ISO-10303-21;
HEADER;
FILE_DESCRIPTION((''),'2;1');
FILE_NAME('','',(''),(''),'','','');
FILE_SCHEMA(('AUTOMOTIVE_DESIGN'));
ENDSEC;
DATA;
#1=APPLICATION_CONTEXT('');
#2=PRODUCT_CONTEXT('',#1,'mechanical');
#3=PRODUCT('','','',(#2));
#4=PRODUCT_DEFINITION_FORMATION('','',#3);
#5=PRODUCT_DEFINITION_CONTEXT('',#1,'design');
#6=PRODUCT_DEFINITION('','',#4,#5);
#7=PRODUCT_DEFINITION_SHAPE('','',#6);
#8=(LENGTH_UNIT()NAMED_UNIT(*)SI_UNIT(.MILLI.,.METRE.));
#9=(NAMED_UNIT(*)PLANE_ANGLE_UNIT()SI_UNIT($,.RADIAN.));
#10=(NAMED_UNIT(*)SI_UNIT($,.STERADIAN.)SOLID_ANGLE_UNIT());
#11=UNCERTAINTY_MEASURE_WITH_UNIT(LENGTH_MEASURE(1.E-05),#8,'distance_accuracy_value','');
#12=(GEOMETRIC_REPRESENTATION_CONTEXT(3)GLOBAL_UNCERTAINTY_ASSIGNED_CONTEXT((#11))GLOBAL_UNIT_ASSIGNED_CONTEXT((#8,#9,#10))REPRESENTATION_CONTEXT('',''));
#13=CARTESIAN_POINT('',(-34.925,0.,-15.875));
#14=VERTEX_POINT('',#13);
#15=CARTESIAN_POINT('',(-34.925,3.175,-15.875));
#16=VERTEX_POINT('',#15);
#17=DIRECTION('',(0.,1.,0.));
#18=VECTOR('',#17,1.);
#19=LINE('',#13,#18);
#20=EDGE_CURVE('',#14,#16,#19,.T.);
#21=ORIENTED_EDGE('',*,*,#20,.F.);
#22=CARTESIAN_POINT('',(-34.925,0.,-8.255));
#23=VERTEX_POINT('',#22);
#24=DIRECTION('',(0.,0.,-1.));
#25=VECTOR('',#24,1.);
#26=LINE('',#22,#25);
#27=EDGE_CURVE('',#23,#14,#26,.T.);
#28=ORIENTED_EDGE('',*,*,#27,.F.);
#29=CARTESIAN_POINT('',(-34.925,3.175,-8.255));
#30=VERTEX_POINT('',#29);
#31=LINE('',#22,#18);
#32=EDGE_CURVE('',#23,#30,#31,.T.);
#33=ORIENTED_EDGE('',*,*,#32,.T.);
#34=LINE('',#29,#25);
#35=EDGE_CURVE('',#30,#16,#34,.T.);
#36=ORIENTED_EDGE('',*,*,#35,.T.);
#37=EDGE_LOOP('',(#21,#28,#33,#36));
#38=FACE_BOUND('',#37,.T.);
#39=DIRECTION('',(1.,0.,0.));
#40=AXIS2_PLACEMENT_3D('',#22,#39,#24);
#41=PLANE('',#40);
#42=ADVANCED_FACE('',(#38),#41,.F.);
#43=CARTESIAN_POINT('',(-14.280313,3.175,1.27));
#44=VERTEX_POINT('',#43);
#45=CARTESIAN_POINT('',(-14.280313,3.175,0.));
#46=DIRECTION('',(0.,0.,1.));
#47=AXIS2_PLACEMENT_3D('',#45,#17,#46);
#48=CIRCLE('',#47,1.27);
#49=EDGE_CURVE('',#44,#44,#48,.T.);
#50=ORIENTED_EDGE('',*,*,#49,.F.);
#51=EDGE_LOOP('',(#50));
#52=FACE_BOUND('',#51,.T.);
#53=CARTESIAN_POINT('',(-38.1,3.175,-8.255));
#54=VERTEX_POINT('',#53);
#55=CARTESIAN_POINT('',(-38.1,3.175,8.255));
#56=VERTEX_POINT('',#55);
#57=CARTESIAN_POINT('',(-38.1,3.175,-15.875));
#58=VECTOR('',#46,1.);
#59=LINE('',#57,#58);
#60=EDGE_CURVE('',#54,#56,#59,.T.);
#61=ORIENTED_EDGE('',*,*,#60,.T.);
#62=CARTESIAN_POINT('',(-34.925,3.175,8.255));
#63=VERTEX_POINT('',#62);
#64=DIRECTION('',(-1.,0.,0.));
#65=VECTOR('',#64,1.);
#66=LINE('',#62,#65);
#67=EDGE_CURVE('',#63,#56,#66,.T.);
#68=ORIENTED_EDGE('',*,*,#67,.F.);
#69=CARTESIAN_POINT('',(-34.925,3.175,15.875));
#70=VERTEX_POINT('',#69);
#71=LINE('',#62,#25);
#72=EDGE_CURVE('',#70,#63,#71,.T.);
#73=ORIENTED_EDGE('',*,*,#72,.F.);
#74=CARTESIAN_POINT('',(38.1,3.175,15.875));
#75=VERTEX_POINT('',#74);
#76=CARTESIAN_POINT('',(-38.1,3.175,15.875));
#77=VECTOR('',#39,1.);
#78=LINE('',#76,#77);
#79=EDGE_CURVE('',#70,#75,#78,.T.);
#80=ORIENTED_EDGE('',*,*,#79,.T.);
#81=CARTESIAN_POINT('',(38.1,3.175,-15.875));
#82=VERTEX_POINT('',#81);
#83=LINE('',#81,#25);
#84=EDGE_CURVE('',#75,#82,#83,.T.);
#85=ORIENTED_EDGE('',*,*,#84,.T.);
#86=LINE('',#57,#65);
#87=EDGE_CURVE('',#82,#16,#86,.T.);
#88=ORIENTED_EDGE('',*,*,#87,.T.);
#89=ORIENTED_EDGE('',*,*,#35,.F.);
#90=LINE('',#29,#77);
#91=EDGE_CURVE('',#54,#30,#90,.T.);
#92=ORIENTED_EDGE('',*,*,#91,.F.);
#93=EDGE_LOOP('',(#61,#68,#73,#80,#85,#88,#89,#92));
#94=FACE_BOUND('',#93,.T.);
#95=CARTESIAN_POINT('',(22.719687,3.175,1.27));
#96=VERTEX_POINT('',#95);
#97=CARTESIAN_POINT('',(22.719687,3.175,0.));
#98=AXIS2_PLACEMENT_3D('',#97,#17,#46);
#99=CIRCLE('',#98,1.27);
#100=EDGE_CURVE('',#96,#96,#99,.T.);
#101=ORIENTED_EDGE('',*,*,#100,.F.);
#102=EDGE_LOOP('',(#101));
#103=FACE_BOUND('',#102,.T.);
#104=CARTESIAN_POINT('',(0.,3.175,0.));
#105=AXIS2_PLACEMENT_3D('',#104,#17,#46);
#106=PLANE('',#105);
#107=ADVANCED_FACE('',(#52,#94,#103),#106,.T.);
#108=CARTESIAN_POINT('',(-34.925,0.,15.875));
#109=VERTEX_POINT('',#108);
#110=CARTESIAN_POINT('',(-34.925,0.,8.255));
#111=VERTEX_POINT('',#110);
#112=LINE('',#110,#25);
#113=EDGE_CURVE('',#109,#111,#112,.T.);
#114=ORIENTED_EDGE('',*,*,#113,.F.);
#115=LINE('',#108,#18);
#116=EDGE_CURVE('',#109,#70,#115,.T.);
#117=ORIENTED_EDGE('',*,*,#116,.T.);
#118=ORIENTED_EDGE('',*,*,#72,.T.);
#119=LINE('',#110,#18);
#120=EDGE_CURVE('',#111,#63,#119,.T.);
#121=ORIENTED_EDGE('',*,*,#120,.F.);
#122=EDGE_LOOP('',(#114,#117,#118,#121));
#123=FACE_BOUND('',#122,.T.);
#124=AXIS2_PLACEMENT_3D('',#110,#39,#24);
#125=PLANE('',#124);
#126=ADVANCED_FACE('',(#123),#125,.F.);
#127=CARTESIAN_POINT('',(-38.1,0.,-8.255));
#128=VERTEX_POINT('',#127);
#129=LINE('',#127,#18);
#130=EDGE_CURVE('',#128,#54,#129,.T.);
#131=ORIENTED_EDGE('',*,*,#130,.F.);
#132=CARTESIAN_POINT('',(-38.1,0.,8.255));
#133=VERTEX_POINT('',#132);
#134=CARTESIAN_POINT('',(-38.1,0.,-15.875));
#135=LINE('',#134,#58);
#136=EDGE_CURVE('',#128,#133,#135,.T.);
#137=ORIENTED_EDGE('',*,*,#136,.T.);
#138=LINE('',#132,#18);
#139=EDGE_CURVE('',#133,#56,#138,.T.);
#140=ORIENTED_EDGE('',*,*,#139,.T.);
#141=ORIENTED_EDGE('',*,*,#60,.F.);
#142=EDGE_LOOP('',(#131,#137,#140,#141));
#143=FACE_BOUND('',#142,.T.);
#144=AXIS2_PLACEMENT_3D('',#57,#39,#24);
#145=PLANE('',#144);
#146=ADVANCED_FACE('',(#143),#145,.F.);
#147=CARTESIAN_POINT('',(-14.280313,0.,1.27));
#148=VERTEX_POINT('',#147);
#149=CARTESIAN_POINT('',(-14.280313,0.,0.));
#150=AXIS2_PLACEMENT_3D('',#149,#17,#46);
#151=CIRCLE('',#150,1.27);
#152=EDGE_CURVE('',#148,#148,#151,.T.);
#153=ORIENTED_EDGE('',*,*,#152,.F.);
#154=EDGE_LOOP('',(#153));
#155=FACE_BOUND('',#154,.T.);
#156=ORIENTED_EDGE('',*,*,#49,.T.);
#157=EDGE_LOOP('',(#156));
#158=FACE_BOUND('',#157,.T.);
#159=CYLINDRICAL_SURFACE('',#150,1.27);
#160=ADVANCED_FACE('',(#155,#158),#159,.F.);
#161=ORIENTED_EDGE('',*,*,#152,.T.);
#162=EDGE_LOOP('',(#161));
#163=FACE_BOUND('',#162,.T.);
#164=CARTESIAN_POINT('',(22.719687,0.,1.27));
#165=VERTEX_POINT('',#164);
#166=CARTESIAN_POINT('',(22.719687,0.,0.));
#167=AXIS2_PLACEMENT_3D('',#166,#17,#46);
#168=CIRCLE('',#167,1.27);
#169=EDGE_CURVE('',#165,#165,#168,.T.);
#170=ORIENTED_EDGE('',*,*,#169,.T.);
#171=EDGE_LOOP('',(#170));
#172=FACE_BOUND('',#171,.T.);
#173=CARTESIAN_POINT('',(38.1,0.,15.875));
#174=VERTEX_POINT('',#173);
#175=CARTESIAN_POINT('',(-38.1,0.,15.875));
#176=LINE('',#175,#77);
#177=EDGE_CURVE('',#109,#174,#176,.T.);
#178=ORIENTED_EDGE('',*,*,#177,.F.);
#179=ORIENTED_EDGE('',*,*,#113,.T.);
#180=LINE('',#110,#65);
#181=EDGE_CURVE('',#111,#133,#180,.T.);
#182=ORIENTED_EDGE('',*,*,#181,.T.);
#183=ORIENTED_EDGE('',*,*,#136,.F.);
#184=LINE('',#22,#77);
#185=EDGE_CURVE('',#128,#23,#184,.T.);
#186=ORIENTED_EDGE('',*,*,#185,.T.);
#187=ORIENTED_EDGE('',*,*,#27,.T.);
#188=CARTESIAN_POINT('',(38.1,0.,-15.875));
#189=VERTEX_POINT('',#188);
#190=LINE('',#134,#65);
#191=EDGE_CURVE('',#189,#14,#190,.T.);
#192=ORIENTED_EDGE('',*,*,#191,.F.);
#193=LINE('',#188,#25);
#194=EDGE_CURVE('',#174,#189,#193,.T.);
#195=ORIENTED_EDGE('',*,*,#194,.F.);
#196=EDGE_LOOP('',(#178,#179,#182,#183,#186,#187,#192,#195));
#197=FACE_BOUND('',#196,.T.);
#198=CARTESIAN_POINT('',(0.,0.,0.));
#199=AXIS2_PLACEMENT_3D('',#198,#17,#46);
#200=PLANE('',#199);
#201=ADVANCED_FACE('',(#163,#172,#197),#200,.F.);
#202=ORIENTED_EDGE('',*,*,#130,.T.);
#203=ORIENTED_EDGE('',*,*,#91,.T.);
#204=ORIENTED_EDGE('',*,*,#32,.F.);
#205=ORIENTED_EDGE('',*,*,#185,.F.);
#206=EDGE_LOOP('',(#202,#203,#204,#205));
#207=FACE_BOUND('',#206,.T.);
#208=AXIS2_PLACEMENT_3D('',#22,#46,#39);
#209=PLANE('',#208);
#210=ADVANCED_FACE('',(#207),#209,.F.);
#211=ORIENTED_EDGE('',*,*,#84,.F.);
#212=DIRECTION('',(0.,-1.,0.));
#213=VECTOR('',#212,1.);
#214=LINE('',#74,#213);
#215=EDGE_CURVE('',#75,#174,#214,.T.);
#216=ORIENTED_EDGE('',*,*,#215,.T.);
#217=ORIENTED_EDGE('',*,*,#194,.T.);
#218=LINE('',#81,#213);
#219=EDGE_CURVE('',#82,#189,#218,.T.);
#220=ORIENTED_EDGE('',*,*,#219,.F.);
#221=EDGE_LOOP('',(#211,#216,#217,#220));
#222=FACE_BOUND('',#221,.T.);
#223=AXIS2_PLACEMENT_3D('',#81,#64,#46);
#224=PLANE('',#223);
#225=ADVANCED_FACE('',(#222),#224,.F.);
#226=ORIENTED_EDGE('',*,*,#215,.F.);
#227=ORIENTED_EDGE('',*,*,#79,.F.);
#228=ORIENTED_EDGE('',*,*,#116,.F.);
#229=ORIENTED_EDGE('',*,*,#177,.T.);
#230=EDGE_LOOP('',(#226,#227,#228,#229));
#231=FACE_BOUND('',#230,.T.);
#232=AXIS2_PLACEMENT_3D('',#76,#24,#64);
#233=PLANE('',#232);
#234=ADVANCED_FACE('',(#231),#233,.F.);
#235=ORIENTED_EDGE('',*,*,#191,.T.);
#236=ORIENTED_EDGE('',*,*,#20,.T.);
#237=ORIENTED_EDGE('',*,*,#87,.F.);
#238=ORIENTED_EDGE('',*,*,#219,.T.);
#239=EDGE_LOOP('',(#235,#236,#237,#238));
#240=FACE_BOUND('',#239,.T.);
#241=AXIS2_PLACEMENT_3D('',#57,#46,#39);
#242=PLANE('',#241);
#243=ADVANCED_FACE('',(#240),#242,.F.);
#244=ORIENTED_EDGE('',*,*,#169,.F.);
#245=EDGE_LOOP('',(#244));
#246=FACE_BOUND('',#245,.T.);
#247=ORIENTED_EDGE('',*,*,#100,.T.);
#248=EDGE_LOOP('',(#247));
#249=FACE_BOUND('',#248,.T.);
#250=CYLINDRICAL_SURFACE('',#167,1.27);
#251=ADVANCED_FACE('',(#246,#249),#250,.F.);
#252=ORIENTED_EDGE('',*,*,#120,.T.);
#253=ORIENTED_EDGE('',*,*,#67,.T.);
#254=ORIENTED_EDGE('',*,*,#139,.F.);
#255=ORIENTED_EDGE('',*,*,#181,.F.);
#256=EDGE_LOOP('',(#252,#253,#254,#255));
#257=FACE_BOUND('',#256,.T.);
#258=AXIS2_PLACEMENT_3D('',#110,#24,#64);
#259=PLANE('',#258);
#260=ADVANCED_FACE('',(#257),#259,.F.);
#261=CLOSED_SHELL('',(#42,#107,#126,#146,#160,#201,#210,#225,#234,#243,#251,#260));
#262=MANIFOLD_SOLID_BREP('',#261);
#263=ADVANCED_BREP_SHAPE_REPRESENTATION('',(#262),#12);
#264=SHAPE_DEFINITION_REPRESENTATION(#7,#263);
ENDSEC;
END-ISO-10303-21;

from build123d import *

# Parameters (mm, degrees)
SKETCH1_W           = 76.2
SKETCH1_H           = 31.75
BOSS_EXTRUDE1_DEPTH = 3.175
SKETCH2_R           = 1.27
SKETCH2_W           = 3.175
SKETCH2_H           = 7.62
CUT_EXTRUDE1_DEPTH  = 3.175


with BuildPart() as part:
    # Sketch1 → Boss-Extrude1 (new body)
    with BuildSketch(Plane(origin=(0, 0, 0), x_dir=(1, 0, 0), z_dir=(0, 1, 0))):
        Rectangle(SKETCH1_W, SKETCH1_H)
    extrude(amount=BOSS_EXTRUDE1_DEPTH)

    # Sketch2 → Cut-Extrude1 (cut)
    with BuildSketch(Plane(origin=(0, 3.175, 0), x_dir=(1, 0, 0), z_dir=(0, 1, 0))):
        with Locations(Location((-14.280312521, 0, 0), (0, 0, 270))):
            Circle(SKETCH2_R)
        with Locations(Location((22.719687479, 0, 0), (0, 0, 270))):
            Circle(SKETCH2_R)
        with Locations((-36.5125, 12.065)):
            Rectangle(SKETCH2_W, SKETCH2_H)
        with Locations((-36.5125, -12.065)):
            Rectangle(SKETCH2_W, SKETCH2_H)
    extrude(amount=-CUT_EXTRUDE1_DEPTH, mode=Mode.SUBTRACT)


solid = part.part
